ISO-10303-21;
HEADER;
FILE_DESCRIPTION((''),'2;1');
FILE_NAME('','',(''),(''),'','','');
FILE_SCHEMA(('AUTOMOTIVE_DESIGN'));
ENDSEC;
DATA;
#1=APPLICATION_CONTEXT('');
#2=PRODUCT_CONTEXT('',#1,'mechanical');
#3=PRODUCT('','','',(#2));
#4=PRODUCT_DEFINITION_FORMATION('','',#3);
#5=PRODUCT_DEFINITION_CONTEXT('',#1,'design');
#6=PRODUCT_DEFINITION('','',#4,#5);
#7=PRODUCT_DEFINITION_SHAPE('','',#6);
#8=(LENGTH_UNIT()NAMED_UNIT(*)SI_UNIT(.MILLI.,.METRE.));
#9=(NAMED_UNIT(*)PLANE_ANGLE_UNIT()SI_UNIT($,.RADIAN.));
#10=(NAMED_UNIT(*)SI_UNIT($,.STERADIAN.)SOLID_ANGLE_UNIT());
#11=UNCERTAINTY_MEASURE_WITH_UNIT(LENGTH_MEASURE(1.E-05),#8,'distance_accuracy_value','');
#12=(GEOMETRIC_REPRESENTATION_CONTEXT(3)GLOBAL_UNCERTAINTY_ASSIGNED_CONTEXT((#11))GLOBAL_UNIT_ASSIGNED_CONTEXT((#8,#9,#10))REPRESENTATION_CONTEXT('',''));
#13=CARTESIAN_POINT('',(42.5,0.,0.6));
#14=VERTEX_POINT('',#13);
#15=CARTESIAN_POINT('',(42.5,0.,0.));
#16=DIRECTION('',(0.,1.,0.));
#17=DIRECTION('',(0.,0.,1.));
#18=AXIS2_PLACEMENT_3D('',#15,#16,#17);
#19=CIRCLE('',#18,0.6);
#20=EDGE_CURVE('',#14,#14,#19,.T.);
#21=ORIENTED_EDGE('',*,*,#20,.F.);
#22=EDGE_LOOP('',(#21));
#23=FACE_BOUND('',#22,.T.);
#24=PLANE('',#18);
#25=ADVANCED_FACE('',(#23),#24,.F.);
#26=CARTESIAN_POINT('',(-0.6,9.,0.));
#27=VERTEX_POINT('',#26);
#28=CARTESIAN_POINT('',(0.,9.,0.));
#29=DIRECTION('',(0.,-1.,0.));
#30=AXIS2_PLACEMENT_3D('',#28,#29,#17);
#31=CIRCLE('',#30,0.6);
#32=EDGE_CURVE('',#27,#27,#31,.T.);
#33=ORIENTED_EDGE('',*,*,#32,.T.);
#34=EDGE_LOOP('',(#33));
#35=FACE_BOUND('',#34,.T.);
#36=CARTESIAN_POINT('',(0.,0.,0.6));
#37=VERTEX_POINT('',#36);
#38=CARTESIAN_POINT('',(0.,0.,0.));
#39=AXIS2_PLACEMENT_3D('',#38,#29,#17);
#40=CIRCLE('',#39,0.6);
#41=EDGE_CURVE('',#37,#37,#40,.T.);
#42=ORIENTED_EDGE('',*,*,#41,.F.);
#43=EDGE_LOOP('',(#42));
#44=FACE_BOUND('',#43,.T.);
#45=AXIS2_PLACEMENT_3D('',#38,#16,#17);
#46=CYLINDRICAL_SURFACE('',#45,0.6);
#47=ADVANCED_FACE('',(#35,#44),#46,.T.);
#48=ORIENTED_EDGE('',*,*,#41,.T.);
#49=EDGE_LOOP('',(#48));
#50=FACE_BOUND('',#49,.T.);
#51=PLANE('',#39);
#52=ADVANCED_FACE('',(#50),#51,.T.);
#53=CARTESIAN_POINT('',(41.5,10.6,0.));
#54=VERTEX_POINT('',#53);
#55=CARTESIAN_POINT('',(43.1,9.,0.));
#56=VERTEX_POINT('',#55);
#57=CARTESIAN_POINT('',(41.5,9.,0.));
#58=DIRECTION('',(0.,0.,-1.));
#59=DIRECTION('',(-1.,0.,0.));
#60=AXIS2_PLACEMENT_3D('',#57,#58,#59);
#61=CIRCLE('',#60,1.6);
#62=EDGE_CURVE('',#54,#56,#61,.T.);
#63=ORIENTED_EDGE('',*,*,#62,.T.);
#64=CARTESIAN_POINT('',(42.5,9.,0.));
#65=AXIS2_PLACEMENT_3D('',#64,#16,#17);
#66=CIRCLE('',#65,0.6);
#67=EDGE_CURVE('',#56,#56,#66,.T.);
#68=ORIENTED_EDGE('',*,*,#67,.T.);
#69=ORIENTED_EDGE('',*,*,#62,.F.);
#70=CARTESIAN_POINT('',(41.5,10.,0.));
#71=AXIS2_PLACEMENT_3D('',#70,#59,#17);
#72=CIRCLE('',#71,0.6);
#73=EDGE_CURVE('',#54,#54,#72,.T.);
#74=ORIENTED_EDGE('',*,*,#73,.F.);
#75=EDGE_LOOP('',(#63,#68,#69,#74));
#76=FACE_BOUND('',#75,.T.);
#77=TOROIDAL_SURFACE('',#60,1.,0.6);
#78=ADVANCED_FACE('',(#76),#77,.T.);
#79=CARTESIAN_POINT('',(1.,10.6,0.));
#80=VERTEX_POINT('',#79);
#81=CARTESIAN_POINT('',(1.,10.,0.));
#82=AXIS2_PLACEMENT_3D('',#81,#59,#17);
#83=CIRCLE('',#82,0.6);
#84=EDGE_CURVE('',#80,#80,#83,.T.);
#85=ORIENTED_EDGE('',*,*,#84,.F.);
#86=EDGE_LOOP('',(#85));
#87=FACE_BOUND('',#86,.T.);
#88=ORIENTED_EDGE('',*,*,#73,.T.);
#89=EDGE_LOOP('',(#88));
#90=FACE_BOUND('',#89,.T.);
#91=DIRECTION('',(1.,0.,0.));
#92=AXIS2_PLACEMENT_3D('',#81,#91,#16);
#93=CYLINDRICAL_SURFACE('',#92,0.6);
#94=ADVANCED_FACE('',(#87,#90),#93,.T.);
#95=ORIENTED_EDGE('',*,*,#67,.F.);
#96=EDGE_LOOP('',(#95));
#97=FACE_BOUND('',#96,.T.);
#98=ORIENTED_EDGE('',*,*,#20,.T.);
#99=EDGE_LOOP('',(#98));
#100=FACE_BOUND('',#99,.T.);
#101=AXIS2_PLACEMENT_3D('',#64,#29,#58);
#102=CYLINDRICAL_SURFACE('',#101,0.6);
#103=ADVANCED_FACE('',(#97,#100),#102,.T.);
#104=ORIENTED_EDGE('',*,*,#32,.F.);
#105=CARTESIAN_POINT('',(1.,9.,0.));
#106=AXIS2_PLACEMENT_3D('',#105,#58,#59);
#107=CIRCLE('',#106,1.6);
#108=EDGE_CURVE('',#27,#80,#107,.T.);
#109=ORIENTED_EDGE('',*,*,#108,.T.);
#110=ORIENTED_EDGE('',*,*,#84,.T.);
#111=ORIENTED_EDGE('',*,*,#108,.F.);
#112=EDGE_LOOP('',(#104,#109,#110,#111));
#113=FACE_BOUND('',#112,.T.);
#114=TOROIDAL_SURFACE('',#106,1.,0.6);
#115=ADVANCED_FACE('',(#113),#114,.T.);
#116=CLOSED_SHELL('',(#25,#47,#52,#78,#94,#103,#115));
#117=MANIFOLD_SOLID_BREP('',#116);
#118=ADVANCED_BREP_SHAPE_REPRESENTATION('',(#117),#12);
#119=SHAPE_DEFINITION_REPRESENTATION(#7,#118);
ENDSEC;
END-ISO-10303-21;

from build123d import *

# Parameters (mm, degrees)
SWEEP1_PROFILE_R = 0.6


with BuildPart() as part:
    # Sweep1: sweep along a path in Sketch1
    with BuildLine(Plane.XY) as sweep1_path:
        Line((0, 0), (0, 9))
        ThreePointArc((0, 9), (0.292893219, 9.707106781), (1, 10))
        Line((1, 10), (41.5, 10))
        ThreePointArc((41.5, 10), (42.207106781, 9.707106781), (42.5, 9))
        Line((42.5, 9), (42.5, 0))
    # Sweep1 profile (on start of the path) → Sweep1 (sweep)
    with BuildSketch(Plane.ZX):
        Circle(SWEEP1_PROFILE_R)
    sweep(path=sweep1_path.line)


solid = part.part
